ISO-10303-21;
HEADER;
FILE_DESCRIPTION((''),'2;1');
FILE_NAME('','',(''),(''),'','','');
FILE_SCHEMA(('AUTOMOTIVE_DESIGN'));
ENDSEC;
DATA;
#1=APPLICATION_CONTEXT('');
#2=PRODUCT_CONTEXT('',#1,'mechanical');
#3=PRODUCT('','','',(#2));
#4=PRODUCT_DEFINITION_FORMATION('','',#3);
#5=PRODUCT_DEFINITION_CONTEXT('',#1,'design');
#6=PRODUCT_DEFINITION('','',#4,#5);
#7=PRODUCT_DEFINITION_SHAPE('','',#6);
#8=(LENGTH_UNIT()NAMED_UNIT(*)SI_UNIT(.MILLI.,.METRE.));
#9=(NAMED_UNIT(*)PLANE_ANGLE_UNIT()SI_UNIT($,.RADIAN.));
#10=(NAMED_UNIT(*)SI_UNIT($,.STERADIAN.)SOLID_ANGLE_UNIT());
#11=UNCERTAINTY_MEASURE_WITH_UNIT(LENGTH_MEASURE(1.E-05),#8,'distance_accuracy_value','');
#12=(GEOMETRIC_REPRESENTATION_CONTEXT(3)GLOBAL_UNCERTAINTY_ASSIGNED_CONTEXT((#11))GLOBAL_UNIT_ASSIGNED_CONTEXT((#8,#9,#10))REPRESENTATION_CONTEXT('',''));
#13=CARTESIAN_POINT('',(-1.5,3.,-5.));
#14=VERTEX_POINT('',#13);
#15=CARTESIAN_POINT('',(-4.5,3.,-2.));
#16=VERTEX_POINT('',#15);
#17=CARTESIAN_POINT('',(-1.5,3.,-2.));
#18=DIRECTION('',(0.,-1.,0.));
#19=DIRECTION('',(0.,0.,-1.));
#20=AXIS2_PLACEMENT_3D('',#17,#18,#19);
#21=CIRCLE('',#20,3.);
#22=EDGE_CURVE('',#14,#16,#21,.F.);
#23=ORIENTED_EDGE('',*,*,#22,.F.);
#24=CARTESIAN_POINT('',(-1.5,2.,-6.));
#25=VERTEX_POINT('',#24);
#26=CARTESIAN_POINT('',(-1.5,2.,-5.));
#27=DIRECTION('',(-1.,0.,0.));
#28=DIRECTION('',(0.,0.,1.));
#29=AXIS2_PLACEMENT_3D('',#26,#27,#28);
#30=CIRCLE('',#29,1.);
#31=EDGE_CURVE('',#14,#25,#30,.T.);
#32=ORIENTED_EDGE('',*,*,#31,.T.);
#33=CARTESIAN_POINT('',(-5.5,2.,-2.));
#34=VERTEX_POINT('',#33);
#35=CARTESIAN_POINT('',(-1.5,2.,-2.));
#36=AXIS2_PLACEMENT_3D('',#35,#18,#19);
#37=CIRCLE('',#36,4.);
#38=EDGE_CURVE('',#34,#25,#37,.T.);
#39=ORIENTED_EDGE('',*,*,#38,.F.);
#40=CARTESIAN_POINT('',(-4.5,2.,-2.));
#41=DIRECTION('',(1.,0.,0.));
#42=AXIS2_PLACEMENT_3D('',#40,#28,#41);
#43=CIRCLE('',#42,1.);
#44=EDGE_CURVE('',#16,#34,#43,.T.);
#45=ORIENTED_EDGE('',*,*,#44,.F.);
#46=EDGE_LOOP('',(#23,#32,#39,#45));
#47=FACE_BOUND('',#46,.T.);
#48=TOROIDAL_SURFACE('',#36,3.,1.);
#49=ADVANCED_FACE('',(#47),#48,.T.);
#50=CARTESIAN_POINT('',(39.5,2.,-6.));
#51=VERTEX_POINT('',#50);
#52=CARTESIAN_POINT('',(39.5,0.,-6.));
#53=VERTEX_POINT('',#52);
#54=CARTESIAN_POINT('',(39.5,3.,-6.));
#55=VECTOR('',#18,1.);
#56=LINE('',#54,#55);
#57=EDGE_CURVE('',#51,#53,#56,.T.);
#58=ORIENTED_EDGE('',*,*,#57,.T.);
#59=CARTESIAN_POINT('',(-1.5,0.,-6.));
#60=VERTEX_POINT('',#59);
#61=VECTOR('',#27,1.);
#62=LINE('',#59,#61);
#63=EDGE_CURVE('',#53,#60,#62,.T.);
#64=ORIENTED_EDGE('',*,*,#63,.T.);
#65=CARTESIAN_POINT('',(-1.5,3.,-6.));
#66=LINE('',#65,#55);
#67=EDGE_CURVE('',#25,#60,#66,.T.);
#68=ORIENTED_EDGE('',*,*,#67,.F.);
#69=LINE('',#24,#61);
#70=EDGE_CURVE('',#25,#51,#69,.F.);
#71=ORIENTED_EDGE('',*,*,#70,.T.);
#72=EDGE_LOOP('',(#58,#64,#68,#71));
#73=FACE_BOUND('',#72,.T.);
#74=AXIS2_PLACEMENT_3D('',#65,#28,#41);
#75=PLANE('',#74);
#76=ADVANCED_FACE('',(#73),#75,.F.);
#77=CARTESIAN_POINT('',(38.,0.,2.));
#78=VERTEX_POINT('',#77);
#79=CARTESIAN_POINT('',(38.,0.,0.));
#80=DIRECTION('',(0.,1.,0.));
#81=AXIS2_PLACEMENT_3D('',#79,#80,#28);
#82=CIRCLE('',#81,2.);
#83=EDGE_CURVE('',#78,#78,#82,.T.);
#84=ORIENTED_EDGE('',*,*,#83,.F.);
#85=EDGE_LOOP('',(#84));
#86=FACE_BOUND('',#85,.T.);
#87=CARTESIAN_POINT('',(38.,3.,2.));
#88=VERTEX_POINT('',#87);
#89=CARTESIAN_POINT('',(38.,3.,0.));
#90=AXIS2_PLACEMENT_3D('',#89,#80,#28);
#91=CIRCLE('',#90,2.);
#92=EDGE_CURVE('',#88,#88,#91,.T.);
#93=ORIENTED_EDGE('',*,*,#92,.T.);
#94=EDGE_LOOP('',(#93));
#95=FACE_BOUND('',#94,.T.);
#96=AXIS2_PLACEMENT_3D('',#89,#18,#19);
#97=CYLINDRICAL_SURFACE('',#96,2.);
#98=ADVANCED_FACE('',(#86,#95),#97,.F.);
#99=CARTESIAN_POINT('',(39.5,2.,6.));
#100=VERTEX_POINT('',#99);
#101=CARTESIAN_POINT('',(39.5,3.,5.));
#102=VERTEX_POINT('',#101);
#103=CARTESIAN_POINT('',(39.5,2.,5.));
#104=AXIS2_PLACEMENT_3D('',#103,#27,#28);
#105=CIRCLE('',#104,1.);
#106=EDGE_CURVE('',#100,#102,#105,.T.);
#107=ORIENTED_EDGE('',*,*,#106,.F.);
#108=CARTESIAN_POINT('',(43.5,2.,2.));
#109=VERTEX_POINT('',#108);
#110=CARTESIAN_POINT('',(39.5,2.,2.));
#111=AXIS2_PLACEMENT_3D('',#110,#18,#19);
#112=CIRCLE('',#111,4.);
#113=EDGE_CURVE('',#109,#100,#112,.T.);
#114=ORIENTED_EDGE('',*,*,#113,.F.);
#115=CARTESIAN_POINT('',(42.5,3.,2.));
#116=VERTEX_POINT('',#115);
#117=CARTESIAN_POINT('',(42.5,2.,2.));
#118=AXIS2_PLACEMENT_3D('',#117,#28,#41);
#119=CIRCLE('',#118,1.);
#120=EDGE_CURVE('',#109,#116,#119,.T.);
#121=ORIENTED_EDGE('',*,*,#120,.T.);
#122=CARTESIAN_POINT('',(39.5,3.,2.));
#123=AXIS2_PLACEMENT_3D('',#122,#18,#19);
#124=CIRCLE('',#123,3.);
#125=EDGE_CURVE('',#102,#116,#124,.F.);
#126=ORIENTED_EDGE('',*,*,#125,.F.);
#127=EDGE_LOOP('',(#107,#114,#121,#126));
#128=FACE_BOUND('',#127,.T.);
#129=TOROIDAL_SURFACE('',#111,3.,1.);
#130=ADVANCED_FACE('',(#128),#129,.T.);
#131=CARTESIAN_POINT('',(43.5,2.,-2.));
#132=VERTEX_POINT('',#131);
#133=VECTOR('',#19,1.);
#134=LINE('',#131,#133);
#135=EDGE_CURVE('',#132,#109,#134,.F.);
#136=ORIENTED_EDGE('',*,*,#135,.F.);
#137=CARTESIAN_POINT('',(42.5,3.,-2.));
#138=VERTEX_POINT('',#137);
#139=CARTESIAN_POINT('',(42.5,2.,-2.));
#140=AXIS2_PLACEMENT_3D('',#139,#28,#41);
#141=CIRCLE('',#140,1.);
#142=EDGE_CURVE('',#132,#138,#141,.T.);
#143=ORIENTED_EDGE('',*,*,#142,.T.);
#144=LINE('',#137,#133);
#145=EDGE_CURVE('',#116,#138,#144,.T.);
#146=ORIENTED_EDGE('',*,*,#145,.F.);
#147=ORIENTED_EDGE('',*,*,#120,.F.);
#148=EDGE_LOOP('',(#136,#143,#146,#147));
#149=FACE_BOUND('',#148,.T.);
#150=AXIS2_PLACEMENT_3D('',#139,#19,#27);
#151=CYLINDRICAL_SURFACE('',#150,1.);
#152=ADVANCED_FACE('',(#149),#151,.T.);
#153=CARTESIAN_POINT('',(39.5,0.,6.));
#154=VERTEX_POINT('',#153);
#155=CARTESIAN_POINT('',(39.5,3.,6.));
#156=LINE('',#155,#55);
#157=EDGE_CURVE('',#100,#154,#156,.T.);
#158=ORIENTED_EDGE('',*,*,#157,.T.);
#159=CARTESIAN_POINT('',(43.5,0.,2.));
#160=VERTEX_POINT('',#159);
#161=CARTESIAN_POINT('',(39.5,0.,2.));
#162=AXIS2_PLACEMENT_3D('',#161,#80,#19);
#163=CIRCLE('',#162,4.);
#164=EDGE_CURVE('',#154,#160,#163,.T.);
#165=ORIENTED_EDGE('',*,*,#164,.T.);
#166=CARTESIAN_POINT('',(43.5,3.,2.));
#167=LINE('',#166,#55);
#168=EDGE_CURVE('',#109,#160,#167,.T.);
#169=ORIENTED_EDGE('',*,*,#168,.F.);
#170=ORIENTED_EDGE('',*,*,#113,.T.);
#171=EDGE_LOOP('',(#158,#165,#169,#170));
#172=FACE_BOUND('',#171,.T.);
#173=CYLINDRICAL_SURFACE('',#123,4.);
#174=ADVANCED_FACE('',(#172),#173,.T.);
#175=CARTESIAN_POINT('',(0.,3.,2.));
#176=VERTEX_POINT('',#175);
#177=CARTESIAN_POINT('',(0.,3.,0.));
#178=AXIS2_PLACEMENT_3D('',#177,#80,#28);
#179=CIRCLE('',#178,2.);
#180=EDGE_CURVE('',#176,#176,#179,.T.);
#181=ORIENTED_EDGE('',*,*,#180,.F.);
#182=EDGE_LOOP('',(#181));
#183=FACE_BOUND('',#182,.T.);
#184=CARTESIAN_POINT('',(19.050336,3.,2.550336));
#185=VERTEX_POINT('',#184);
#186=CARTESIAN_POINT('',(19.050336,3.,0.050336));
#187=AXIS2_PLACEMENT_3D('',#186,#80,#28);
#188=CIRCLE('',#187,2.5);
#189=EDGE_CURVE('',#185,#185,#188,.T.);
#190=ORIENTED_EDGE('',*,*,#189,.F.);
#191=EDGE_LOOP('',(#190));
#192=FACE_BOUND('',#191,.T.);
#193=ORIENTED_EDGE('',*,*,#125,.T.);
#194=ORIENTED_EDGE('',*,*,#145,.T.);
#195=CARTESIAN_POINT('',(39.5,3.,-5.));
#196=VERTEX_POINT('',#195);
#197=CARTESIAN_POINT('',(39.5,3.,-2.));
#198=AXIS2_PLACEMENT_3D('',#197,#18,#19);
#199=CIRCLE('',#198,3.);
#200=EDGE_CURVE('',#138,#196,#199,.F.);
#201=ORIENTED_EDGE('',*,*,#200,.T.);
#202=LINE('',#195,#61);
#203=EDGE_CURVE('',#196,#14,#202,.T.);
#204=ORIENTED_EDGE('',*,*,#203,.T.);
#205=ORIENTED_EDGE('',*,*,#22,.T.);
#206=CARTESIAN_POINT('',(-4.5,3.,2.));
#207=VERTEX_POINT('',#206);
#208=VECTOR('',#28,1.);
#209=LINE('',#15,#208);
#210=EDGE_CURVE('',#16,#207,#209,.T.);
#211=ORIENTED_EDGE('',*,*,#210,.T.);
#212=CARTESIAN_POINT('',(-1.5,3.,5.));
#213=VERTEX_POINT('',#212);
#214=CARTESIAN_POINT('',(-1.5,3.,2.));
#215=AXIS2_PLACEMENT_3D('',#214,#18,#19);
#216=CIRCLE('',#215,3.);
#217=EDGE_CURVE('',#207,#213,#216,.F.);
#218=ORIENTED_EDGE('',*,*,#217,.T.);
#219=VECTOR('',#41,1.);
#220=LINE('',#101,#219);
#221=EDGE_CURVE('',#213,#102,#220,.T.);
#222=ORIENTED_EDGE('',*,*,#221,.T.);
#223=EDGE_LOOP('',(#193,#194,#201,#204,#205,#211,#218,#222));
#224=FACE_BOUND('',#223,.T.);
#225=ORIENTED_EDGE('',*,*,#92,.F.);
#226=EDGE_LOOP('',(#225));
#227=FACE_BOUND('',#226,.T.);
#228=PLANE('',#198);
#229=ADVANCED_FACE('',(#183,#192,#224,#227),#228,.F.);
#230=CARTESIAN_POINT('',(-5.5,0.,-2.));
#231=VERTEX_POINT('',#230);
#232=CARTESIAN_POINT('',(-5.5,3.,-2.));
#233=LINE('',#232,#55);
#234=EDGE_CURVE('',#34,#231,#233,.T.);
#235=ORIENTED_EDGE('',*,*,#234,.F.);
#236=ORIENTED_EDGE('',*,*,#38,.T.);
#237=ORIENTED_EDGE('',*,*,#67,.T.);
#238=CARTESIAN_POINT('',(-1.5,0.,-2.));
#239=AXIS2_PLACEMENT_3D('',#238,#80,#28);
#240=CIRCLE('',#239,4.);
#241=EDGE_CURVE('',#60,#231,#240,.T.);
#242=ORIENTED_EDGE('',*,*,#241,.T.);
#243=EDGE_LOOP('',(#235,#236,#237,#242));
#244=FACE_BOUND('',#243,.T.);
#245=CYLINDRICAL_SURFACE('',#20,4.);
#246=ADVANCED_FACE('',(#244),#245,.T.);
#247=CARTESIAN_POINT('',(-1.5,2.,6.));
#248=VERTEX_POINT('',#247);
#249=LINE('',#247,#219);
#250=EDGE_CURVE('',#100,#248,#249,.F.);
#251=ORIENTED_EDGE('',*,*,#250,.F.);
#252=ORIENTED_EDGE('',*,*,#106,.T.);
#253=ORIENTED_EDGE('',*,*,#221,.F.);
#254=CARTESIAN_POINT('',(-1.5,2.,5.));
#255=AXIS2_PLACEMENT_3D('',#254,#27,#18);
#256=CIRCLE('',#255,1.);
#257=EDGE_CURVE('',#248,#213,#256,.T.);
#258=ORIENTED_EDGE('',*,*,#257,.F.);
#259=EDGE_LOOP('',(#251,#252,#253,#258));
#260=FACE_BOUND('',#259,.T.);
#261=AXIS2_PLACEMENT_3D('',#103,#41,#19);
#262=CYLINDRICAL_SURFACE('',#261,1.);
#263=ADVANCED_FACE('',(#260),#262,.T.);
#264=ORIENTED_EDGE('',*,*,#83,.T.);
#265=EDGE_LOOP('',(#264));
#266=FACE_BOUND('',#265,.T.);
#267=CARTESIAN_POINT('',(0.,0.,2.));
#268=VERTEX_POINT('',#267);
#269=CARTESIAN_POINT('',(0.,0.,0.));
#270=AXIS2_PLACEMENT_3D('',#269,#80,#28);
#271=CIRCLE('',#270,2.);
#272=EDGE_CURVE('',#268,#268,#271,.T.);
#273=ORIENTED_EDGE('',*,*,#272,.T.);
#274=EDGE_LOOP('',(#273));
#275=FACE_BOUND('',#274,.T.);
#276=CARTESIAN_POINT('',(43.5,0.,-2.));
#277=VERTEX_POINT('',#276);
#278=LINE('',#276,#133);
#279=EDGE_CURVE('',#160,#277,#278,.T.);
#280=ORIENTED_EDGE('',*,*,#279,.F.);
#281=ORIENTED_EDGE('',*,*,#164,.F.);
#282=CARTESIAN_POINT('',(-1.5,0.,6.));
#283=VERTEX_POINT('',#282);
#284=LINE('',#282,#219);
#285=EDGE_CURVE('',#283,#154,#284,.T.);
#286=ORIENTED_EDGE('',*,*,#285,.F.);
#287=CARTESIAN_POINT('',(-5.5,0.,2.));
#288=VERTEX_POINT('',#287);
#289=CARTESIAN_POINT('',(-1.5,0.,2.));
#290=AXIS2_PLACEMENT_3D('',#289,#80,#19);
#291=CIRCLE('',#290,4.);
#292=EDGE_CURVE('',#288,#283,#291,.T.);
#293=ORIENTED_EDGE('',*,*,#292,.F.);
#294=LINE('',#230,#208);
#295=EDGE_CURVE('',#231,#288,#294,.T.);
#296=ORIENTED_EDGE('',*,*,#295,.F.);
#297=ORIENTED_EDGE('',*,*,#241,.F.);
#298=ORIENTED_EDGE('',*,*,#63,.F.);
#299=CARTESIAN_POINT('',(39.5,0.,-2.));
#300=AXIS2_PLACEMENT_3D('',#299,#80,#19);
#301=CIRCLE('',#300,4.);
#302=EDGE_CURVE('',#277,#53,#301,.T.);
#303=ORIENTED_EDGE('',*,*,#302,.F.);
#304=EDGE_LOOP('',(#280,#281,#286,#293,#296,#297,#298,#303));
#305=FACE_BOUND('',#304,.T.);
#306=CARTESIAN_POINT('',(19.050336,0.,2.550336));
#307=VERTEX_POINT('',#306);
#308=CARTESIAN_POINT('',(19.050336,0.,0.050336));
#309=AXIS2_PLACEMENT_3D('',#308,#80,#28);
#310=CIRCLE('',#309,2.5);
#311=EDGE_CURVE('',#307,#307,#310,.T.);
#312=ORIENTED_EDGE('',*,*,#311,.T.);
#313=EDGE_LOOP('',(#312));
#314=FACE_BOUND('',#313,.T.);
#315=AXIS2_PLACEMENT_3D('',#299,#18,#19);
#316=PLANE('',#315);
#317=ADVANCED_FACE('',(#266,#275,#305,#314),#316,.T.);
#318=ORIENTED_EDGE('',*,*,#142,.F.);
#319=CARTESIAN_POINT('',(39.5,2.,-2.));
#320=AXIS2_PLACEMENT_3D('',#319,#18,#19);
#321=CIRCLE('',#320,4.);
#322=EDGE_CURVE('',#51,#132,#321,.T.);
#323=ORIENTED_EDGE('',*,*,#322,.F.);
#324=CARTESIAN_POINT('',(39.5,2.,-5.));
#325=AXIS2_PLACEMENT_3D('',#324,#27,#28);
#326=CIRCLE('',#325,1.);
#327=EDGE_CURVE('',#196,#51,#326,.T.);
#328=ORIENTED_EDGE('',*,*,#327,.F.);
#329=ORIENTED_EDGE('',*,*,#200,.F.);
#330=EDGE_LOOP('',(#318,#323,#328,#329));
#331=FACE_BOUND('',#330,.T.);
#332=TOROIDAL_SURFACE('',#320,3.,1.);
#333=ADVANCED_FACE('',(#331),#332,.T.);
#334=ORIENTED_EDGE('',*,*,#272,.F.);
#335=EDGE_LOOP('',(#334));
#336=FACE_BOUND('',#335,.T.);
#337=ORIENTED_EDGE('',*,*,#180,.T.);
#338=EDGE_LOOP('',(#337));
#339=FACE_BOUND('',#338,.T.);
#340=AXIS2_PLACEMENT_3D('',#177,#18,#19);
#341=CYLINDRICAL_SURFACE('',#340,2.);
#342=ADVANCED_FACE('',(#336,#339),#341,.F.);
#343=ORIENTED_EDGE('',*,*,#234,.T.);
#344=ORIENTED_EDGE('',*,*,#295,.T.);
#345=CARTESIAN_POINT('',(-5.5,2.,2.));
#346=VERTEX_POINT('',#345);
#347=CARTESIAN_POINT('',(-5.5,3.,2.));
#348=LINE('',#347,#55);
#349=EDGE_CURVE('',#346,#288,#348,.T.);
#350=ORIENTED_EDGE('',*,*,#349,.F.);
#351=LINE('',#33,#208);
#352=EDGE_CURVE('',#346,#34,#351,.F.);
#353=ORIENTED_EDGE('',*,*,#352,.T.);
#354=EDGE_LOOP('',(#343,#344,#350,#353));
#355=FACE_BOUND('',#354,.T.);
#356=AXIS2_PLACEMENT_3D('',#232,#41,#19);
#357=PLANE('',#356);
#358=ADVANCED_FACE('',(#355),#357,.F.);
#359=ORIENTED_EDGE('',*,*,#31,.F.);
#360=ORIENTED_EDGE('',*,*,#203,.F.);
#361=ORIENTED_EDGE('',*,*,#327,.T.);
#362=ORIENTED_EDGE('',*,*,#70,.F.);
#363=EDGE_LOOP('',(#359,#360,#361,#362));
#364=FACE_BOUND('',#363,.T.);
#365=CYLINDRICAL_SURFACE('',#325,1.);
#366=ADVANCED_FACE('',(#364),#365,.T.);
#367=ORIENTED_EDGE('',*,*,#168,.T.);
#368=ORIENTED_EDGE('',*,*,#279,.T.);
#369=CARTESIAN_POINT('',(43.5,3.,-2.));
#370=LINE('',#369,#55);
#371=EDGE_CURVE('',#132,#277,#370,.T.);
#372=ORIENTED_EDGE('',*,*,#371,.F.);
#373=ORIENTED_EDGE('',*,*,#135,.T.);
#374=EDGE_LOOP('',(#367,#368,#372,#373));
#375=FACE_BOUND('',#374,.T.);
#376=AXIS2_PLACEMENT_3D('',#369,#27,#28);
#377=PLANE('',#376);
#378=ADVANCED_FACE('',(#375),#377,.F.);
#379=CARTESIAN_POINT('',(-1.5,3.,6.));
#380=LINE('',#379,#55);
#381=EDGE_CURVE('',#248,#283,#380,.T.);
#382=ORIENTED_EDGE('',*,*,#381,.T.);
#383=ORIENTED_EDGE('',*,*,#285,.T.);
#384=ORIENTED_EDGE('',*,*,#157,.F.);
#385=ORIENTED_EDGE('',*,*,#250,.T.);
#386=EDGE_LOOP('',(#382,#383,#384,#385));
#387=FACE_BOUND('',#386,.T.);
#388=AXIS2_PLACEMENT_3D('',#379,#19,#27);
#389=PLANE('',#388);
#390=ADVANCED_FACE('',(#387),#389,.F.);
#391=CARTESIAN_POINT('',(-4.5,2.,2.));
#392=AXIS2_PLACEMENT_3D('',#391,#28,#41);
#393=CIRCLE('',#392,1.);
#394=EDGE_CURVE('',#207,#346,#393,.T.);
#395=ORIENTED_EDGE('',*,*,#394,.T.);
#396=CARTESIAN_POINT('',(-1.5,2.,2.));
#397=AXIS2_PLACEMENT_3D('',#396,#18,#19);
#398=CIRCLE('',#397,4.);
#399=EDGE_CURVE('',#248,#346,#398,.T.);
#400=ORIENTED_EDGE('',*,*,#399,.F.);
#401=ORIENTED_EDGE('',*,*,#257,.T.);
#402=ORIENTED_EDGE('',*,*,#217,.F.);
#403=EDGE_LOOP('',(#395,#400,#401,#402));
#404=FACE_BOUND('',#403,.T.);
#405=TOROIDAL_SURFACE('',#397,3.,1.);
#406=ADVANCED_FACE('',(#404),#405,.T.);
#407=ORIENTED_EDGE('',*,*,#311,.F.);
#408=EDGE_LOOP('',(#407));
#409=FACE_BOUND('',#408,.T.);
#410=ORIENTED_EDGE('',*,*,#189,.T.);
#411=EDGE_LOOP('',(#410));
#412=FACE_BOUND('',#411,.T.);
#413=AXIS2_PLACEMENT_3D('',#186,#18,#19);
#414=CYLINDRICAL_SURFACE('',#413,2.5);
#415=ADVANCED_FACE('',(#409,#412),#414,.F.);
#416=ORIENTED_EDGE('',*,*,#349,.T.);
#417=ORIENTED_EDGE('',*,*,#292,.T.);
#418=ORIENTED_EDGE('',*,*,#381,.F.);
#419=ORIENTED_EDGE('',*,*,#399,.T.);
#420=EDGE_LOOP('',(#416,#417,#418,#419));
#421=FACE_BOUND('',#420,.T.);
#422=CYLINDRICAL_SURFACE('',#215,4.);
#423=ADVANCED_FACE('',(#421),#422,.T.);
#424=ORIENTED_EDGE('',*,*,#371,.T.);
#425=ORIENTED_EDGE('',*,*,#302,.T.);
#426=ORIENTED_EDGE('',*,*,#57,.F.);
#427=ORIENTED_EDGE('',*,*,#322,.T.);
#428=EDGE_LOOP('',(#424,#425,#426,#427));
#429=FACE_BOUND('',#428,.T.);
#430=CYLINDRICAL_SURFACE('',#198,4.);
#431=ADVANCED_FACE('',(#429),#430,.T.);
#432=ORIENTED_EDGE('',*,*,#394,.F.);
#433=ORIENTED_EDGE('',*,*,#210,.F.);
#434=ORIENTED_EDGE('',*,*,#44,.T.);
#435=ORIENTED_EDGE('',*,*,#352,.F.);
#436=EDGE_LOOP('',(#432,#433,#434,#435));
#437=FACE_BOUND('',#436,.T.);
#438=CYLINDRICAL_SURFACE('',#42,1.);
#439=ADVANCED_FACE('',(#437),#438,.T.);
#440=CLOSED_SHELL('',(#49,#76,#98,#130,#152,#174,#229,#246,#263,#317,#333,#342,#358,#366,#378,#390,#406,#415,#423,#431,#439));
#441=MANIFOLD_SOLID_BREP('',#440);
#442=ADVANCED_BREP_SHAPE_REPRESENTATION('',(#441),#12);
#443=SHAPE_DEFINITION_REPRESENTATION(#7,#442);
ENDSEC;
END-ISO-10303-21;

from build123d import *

# Parameters (mm, degrees)
SKETCH1_R           = 2
SKETCH1_R_2         = 2.5
BOSS_EXTRUDE1_DEPTH = 3
FILLET1_R           = 1


with BuildPart() as part:
    # Sketch1 → Boss-Extrude1 (new body)
    with BuildSketch(Plane(origin=(0, 0, 0), x_dir=(1, 0, 0), z_dir=(0, 1, 0))):
        with BuildLine():
            Line((-5.5, 2), (-5.5, -2))
            ThreePointArc((-5.5, -2), (-4.328427125, -4.828427125), (-1.5, -6))
            Line((-1.5, -6), (39.5, -6))
            ThreePointArc((39.5, -6), (42.328427125, -4.828427125), (43.5, -2))
            Line((43.5, -2), (43.5, 2))
            ThreePointArc((43.5, 2), (42.328427125, 4.828427125), (39.5, 6))
            Line((39.5, 6), (-1.5, 6))
            ThreePointArc((-1.5, 6), (-4.328427125, 4.828427125), (-5.5, 2))
        make_face()
        with Locations(Location((0, 0, 0), (0, 0, 270))):
            Circle(SKETCH1_R, mode=Mode.SUBTRACT)
        with Locations(Location((38, 0, 0), (0, 0, 270))):
            Circle(SKETCH1_R, mode=Mode.SUBTRACT)
        with Locations(Location((19.050336346, -0.050336346, 0), (0, 0, 270))):
            Circle(SKETCH1_R_2, mode=Mode.SUBTRACT)
    extrude(amount=BOSS_EXTRUDE1_DEPTH)

    # Fillet1
    fillet1_edges = [part.edges().sort_by_distance(p)[0] for p in [
        (-4.328427125, 3, -4.828427125),
        (-5.5, 3, 0),
        (-4.328427125, 3, 4.828427125),
        (19, 3, 6),
        (42.328427125, 3, 4.828427125),
        (43.5, 3, 0),
        (42.328427125, 3, -4.828427125),
        (19, 3, -6),
    ]]
    fillet(fillet1_edges, radius=FILLET1_R)


solid = part.part
